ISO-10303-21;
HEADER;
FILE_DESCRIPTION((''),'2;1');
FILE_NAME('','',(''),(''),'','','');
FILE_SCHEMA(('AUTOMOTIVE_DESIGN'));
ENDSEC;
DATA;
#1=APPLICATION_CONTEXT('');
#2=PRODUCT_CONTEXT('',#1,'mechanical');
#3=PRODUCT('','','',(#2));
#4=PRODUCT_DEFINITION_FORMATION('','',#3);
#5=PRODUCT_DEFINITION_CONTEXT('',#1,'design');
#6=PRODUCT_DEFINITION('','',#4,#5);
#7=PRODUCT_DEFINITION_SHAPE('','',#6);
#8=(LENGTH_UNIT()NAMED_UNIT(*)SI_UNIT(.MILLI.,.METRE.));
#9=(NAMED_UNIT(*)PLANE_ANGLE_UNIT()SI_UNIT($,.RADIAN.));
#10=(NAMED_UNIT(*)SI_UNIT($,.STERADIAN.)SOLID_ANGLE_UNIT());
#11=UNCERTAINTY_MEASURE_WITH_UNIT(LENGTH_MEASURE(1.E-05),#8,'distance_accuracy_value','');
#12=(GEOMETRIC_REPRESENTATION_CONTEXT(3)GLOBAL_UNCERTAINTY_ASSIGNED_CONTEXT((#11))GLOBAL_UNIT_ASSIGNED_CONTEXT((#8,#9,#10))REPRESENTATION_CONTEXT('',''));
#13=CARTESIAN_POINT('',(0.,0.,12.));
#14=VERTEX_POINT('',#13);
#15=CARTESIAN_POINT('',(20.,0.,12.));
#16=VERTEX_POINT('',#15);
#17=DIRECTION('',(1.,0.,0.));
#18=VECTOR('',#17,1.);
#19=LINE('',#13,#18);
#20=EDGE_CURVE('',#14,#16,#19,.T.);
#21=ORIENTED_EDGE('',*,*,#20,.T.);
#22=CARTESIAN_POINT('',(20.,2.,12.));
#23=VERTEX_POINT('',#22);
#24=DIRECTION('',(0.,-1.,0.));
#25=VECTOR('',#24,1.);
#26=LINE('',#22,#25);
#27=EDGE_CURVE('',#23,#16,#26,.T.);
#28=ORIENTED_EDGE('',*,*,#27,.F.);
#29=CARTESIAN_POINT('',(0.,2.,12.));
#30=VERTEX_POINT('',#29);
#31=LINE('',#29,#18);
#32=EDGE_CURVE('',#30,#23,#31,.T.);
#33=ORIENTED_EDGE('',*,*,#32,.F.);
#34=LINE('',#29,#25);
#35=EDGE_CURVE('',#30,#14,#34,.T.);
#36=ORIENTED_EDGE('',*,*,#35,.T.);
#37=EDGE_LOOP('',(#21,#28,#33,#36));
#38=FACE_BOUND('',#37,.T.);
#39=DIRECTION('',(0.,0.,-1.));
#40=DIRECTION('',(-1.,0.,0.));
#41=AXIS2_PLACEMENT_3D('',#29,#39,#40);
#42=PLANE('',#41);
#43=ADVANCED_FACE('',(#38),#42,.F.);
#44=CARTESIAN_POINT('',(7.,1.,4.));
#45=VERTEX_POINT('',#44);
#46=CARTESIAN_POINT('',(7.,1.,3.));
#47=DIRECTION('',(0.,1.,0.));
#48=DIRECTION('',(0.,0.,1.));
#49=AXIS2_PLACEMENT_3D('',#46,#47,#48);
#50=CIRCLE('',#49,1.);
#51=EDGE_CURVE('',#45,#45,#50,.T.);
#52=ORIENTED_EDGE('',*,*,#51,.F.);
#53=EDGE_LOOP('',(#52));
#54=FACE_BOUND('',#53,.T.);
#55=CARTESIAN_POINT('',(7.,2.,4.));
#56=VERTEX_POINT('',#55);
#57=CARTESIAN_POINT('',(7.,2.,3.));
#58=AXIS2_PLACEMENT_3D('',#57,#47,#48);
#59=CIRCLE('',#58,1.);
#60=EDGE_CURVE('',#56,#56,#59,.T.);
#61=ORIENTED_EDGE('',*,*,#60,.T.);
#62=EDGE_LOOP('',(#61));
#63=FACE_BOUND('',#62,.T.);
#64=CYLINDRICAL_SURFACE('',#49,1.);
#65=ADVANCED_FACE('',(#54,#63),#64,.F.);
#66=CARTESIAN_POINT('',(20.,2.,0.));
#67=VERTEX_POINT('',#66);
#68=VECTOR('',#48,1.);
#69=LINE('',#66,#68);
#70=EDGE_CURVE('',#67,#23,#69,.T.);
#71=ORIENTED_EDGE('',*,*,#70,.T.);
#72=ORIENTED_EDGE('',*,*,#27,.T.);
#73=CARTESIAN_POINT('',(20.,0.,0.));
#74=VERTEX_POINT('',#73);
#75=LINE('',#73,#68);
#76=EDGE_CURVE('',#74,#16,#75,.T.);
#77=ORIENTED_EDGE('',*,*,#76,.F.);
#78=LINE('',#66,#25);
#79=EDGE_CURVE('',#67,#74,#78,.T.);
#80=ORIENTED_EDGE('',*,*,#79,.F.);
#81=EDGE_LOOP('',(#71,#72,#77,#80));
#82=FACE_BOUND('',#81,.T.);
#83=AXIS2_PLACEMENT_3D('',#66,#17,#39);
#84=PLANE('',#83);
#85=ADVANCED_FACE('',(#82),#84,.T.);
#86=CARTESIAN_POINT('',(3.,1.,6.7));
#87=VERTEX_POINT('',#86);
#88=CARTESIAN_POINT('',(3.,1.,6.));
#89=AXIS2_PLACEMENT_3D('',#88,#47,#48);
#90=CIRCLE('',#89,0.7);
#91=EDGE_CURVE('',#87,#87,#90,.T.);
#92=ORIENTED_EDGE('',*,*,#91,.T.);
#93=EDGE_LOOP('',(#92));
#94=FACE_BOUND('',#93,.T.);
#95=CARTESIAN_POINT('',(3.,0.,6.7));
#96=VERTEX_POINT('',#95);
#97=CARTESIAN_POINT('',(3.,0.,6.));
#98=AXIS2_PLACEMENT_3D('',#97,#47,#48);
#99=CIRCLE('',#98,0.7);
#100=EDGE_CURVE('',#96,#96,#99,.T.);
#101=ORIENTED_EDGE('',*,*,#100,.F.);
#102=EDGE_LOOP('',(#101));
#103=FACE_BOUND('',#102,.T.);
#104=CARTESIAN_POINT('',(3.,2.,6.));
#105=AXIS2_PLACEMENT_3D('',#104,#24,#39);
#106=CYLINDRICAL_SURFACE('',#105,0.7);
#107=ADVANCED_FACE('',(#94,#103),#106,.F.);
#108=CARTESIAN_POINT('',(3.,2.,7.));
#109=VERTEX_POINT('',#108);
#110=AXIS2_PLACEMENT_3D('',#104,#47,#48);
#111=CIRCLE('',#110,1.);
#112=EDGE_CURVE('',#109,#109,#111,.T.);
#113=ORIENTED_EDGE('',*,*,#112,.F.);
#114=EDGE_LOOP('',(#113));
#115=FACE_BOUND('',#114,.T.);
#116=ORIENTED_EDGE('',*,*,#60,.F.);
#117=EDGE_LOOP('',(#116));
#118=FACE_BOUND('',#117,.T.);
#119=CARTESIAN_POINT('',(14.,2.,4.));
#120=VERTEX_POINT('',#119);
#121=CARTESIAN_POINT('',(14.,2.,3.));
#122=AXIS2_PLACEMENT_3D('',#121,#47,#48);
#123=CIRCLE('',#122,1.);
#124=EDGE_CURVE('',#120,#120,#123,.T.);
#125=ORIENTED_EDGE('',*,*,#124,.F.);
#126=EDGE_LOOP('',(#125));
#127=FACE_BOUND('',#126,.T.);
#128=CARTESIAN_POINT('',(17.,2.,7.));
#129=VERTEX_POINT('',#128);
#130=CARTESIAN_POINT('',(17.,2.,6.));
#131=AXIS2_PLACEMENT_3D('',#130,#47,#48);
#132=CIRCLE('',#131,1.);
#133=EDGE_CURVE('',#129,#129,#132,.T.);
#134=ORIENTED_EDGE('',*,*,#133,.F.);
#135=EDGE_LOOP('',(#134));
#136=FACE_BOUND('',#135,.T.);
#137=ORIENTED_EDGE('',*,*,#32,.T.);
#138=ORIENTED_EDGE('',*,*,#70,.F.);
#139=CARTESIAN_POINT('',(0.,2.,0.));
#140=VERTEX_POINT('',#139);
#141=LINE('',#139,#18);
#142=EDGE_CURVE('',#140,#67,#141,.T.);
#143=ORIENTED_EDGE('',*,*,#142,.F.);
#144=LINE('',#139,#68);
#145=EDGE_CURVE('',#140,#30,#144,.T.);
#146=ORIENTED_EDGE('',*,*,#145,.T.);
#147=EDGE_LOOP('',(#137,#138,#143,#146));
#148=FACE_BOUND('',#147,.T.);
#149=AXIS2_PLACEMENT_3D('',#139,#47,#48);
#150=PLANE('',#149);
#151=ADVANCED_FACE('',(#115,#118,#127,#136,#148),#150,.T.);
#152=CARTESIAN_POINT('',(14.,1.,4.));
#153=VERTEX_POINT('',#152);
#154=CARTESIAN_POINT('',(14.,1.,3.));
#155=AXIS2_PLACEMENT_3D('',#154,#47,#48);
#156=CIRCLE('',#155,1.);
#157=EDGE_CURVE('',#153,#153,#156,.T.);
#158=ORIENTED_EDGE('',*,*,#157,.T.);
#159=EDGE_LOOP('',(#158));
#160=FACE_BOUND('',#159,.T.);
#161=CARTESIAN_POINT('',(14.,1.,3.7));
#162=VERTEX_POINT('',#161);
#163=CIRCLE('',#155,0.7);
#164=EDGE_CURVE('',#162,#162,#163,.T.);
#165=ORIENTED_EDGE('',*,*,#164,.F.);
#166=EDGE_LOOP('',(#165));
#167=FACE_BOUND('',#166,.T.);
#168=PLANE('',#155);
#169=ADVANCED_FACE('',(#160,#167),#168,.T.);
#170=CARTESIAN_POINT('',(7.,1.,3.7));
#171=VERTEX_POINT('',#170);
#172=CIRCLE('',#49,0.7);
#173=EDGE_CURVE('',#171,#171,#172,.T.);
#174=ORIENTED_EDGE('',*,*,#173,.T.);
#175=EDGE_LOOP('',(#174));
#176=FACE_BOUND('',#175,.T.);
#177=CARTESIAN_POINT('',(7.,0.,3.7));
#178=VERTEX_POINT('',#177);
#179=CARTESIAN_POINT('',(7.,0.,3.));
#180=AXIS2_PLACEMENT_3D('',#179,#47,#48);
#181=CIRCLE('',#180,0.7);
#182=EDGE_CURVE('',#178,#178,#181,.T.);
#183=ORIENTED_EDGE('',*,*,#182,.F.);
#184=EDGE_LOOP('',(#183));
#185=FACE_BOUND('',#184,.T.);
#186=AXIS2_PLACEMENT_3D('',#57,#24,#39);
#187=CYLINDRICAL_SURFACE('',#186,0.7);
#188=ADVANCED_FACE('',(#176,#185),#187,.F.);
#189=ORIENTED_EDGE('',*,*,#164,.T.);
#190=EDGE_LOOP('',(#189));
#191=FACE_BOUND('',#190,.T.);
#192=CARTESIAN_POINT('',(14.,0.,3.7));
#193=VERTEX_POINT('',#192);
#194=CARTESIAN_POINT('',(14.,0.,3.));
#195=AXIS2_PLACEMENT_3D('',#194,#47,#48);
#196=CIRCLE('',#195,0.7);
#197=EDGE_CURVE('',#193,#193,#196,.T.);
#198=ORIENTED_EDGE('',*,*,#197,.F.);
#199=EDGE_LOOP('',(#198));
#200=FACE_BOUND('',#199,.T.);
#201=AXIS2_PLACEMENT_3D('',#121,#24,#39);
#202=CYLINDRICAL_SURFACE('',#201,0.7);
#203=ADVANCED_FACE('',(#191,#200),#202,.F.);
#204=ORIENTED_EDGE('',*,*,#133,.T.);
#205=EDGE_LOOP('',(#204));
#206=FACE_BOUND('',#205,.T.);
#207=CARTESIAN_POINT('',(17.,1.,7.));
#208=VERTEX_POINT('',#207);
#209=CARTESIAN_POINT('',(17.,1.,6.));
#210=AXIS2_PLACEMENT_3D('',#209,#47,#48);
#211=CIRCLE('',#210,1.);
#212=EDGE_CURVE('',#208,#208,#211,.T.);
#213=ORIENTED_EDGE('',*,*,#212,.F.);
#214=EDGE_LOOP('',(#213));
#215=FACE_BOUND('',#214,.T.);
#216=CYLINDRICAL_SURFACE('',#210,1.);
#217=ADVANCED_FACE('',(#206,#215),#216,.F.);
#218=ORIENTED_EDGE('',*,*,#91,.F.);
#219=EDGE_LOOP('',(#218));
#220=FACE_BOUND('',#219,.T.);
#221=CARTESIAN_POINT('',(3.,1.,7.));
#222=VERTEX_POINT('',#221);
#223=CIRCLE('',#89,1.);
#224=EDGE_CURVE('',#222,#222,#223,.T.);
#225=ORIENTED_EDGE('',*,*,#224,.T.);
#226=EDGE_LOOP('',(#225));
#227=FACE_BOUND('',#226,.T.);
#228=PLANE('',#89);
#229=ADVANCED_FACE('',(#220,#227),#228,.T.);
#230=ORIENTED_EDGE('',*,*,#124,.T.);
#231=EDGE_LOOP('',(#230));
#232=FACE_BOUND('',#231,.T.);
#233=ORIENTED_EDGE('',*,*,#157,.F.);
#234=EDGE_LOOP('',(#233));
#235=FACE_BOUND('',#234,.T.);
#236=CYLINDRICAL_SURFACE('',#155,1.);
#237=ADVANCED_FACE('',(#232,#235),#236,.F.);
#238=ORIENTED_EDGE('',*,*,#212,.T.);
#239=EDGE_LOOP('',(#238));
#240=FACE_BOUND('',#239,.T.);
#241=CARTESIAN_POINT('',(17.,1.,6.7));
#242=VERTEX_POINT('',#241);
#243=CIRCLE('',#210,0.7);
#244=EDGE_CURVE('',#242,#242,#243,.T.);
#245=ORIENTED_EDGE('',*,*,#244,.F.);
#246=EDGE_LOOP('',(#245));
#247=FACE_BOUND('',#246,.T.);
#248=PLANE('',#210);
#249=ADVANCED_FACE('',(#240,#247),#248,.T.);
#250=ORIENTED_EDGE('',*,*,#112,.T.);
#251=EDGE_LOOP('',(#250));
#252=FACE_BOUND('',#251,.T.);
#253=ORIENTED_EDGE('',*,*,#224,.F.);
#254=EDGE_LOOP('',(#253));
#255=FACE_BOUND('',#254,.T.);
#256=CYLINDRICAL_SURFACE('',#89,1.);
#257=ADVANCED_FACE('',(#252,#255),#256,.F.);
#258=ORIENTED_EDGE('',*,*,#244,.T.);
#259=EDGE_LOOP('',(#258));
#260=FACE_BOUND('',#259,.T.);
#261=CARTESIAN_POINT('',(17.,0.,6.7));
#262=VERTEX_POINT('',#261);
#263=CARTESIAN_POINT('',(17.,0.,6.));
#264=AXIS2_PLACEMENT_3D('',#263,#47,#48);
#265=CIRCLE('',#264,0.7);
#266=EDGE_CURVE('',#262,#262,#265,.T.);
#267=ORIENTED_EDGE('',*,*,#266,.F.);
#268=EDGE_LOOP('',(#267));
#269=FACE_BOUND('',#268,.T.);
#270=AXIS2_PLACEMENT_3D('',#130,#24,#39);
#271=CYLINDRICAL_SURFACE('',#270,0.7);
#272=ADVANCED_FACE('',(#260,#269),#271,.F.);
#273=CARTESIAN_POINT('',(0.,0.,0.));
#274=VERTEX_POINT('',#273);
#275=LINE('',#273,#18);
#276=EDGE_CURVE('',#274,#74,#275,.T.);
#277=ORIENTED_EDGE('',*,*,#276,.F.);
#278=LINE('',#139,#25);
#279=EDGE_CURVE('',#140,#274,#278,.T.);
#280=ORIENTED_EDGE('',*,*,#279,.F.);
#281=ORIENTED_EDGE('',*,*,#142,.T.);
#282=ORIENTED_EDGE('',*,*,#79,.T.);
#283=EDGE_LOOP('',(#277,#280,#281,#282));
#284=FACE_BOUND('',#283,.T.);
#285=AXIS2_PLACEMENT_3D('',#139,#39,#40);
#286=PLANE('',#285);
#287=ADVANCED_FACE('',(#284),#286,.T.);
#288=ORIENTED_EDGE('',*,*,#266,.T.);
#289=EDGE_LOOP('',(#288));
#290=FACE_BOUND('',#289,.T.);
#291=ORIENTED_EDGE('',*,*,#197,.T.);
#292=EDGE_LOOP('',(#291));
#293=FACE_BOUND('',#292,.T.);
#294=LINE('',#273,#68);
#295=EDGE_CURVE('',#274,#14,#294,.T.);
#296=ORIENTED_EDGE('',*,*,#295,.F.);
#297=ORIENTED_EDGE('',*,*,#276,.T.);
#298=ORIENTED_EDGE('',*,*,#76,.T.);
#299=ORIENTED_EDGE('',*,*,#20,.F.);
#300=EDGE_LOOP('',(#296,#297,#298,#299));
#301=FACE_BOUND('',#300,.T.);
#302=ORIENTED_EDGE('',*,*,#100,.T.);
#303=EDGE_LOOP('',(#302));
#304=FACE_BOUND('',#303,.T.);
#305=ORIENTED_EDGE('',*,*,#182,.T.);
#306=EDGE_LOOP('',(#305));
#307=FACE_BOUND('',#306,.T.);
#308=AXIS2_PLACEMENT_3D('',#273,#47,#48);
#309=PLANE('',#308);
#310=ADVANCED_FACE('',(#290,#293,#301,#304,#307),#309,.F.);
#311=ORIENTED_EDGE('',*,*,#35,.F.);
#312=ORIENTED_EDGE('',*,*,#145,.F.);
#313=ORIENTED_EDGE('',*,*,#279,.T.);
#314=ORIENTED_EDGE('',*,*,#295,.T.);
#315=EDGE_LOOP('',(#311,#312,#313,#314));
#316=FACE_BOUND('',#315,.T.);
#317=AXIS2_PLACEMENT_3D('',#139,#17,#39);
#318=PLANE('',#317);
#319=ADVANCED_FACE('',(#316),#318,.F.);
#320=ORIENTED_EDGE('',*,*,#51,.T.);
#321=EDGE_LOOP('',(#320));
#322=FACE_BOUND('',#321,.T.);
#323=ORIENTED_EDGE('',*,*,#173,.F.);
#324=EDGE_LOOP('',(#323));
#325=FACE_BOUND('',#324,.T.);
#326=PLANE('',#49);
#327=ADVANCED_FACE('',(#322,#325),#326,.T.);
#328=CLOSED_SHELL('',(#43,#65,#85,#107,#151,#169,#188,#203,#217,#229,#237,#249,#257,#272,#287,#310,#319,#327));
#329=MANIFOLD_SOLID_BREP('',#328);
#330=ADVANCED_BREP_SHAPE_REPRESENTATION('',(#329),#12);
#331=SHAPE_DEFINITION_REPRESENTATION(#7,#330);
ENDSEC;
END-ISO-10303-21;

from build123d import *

# Parameters (mm, degrees)
SKETCH_1_W          = 20
SKETCH_1_H          = 12
SKETCH_1_R          = 0.7
EXTRUDE_1_DEPTH     = 2
CUT_EXTRUDE_START   = 2
SKETCH_1_3_R        = 1
CUT_EXTRUDE_1_DEPTH = 1


with BuildPart() as part:
    # 草图1 → 凸台-拉伸1 (new body)
    with BuildSketch(Plane(origin=(0, 0, 0), x_dir=(1, 0, 0), z_dir=(0, 1, 0))):
        with Locations((10, -6)):
            Rectangle(SKETCH_1_W, SKETCH_1_H)
        with Locations(Location((3, -6, 0), (0, 0, 270))):
            Circle(SKETCH_1_R, mode=Mode.SUBTRACT)
        with Locations(Location((7, -3, 0), (0, 0, 270))):
            Circle(SKETCH_1_R, mode=Mode.SUBTRACT)
        with Locations(Location((14, -3, 0), (0, 0, 270))):
            Circle(SKETCH_1_R, mode=Mode.SUBTRACT)
        with Locations(Location((17, -6, 0), (0, 0, 270))):
            Circle(SKETCH_1_R, mode=Mode.SUBTRACT)
    extrude(amount=EXTRUDE_1_DEPTH)

    # 草图1<3> → 切除-拉伸1 (cut)
    with BuildSketch(Plane(origin=(0, 0, 0), x_dir=(1, 0, 0), z_dir=(0, 1, 0)).offset(CUT_EXTRUDE_START)):
        with Locations(Location((3, -6, 0), (0, 0, 270))):
            Circle(SKETCH_1_3_R)
        with Locations(Location((7, -3, 0), (0, 0, 270))):
            Circle(SKETCH_1_3_R)
        with Locations(Location((14, -3, 0), (0, 0, 270))):
            Circle(SKETCH_1_3_R)
        with Locations(Location((17, -6, 0), (0, 0, 270))):
            Circle(SKETCH_1_3_R)
    extrude(amount=-CUT_EXTRUDE_1_DEPTH, mode=Mode.SUBTRACT)


solid = part.part
